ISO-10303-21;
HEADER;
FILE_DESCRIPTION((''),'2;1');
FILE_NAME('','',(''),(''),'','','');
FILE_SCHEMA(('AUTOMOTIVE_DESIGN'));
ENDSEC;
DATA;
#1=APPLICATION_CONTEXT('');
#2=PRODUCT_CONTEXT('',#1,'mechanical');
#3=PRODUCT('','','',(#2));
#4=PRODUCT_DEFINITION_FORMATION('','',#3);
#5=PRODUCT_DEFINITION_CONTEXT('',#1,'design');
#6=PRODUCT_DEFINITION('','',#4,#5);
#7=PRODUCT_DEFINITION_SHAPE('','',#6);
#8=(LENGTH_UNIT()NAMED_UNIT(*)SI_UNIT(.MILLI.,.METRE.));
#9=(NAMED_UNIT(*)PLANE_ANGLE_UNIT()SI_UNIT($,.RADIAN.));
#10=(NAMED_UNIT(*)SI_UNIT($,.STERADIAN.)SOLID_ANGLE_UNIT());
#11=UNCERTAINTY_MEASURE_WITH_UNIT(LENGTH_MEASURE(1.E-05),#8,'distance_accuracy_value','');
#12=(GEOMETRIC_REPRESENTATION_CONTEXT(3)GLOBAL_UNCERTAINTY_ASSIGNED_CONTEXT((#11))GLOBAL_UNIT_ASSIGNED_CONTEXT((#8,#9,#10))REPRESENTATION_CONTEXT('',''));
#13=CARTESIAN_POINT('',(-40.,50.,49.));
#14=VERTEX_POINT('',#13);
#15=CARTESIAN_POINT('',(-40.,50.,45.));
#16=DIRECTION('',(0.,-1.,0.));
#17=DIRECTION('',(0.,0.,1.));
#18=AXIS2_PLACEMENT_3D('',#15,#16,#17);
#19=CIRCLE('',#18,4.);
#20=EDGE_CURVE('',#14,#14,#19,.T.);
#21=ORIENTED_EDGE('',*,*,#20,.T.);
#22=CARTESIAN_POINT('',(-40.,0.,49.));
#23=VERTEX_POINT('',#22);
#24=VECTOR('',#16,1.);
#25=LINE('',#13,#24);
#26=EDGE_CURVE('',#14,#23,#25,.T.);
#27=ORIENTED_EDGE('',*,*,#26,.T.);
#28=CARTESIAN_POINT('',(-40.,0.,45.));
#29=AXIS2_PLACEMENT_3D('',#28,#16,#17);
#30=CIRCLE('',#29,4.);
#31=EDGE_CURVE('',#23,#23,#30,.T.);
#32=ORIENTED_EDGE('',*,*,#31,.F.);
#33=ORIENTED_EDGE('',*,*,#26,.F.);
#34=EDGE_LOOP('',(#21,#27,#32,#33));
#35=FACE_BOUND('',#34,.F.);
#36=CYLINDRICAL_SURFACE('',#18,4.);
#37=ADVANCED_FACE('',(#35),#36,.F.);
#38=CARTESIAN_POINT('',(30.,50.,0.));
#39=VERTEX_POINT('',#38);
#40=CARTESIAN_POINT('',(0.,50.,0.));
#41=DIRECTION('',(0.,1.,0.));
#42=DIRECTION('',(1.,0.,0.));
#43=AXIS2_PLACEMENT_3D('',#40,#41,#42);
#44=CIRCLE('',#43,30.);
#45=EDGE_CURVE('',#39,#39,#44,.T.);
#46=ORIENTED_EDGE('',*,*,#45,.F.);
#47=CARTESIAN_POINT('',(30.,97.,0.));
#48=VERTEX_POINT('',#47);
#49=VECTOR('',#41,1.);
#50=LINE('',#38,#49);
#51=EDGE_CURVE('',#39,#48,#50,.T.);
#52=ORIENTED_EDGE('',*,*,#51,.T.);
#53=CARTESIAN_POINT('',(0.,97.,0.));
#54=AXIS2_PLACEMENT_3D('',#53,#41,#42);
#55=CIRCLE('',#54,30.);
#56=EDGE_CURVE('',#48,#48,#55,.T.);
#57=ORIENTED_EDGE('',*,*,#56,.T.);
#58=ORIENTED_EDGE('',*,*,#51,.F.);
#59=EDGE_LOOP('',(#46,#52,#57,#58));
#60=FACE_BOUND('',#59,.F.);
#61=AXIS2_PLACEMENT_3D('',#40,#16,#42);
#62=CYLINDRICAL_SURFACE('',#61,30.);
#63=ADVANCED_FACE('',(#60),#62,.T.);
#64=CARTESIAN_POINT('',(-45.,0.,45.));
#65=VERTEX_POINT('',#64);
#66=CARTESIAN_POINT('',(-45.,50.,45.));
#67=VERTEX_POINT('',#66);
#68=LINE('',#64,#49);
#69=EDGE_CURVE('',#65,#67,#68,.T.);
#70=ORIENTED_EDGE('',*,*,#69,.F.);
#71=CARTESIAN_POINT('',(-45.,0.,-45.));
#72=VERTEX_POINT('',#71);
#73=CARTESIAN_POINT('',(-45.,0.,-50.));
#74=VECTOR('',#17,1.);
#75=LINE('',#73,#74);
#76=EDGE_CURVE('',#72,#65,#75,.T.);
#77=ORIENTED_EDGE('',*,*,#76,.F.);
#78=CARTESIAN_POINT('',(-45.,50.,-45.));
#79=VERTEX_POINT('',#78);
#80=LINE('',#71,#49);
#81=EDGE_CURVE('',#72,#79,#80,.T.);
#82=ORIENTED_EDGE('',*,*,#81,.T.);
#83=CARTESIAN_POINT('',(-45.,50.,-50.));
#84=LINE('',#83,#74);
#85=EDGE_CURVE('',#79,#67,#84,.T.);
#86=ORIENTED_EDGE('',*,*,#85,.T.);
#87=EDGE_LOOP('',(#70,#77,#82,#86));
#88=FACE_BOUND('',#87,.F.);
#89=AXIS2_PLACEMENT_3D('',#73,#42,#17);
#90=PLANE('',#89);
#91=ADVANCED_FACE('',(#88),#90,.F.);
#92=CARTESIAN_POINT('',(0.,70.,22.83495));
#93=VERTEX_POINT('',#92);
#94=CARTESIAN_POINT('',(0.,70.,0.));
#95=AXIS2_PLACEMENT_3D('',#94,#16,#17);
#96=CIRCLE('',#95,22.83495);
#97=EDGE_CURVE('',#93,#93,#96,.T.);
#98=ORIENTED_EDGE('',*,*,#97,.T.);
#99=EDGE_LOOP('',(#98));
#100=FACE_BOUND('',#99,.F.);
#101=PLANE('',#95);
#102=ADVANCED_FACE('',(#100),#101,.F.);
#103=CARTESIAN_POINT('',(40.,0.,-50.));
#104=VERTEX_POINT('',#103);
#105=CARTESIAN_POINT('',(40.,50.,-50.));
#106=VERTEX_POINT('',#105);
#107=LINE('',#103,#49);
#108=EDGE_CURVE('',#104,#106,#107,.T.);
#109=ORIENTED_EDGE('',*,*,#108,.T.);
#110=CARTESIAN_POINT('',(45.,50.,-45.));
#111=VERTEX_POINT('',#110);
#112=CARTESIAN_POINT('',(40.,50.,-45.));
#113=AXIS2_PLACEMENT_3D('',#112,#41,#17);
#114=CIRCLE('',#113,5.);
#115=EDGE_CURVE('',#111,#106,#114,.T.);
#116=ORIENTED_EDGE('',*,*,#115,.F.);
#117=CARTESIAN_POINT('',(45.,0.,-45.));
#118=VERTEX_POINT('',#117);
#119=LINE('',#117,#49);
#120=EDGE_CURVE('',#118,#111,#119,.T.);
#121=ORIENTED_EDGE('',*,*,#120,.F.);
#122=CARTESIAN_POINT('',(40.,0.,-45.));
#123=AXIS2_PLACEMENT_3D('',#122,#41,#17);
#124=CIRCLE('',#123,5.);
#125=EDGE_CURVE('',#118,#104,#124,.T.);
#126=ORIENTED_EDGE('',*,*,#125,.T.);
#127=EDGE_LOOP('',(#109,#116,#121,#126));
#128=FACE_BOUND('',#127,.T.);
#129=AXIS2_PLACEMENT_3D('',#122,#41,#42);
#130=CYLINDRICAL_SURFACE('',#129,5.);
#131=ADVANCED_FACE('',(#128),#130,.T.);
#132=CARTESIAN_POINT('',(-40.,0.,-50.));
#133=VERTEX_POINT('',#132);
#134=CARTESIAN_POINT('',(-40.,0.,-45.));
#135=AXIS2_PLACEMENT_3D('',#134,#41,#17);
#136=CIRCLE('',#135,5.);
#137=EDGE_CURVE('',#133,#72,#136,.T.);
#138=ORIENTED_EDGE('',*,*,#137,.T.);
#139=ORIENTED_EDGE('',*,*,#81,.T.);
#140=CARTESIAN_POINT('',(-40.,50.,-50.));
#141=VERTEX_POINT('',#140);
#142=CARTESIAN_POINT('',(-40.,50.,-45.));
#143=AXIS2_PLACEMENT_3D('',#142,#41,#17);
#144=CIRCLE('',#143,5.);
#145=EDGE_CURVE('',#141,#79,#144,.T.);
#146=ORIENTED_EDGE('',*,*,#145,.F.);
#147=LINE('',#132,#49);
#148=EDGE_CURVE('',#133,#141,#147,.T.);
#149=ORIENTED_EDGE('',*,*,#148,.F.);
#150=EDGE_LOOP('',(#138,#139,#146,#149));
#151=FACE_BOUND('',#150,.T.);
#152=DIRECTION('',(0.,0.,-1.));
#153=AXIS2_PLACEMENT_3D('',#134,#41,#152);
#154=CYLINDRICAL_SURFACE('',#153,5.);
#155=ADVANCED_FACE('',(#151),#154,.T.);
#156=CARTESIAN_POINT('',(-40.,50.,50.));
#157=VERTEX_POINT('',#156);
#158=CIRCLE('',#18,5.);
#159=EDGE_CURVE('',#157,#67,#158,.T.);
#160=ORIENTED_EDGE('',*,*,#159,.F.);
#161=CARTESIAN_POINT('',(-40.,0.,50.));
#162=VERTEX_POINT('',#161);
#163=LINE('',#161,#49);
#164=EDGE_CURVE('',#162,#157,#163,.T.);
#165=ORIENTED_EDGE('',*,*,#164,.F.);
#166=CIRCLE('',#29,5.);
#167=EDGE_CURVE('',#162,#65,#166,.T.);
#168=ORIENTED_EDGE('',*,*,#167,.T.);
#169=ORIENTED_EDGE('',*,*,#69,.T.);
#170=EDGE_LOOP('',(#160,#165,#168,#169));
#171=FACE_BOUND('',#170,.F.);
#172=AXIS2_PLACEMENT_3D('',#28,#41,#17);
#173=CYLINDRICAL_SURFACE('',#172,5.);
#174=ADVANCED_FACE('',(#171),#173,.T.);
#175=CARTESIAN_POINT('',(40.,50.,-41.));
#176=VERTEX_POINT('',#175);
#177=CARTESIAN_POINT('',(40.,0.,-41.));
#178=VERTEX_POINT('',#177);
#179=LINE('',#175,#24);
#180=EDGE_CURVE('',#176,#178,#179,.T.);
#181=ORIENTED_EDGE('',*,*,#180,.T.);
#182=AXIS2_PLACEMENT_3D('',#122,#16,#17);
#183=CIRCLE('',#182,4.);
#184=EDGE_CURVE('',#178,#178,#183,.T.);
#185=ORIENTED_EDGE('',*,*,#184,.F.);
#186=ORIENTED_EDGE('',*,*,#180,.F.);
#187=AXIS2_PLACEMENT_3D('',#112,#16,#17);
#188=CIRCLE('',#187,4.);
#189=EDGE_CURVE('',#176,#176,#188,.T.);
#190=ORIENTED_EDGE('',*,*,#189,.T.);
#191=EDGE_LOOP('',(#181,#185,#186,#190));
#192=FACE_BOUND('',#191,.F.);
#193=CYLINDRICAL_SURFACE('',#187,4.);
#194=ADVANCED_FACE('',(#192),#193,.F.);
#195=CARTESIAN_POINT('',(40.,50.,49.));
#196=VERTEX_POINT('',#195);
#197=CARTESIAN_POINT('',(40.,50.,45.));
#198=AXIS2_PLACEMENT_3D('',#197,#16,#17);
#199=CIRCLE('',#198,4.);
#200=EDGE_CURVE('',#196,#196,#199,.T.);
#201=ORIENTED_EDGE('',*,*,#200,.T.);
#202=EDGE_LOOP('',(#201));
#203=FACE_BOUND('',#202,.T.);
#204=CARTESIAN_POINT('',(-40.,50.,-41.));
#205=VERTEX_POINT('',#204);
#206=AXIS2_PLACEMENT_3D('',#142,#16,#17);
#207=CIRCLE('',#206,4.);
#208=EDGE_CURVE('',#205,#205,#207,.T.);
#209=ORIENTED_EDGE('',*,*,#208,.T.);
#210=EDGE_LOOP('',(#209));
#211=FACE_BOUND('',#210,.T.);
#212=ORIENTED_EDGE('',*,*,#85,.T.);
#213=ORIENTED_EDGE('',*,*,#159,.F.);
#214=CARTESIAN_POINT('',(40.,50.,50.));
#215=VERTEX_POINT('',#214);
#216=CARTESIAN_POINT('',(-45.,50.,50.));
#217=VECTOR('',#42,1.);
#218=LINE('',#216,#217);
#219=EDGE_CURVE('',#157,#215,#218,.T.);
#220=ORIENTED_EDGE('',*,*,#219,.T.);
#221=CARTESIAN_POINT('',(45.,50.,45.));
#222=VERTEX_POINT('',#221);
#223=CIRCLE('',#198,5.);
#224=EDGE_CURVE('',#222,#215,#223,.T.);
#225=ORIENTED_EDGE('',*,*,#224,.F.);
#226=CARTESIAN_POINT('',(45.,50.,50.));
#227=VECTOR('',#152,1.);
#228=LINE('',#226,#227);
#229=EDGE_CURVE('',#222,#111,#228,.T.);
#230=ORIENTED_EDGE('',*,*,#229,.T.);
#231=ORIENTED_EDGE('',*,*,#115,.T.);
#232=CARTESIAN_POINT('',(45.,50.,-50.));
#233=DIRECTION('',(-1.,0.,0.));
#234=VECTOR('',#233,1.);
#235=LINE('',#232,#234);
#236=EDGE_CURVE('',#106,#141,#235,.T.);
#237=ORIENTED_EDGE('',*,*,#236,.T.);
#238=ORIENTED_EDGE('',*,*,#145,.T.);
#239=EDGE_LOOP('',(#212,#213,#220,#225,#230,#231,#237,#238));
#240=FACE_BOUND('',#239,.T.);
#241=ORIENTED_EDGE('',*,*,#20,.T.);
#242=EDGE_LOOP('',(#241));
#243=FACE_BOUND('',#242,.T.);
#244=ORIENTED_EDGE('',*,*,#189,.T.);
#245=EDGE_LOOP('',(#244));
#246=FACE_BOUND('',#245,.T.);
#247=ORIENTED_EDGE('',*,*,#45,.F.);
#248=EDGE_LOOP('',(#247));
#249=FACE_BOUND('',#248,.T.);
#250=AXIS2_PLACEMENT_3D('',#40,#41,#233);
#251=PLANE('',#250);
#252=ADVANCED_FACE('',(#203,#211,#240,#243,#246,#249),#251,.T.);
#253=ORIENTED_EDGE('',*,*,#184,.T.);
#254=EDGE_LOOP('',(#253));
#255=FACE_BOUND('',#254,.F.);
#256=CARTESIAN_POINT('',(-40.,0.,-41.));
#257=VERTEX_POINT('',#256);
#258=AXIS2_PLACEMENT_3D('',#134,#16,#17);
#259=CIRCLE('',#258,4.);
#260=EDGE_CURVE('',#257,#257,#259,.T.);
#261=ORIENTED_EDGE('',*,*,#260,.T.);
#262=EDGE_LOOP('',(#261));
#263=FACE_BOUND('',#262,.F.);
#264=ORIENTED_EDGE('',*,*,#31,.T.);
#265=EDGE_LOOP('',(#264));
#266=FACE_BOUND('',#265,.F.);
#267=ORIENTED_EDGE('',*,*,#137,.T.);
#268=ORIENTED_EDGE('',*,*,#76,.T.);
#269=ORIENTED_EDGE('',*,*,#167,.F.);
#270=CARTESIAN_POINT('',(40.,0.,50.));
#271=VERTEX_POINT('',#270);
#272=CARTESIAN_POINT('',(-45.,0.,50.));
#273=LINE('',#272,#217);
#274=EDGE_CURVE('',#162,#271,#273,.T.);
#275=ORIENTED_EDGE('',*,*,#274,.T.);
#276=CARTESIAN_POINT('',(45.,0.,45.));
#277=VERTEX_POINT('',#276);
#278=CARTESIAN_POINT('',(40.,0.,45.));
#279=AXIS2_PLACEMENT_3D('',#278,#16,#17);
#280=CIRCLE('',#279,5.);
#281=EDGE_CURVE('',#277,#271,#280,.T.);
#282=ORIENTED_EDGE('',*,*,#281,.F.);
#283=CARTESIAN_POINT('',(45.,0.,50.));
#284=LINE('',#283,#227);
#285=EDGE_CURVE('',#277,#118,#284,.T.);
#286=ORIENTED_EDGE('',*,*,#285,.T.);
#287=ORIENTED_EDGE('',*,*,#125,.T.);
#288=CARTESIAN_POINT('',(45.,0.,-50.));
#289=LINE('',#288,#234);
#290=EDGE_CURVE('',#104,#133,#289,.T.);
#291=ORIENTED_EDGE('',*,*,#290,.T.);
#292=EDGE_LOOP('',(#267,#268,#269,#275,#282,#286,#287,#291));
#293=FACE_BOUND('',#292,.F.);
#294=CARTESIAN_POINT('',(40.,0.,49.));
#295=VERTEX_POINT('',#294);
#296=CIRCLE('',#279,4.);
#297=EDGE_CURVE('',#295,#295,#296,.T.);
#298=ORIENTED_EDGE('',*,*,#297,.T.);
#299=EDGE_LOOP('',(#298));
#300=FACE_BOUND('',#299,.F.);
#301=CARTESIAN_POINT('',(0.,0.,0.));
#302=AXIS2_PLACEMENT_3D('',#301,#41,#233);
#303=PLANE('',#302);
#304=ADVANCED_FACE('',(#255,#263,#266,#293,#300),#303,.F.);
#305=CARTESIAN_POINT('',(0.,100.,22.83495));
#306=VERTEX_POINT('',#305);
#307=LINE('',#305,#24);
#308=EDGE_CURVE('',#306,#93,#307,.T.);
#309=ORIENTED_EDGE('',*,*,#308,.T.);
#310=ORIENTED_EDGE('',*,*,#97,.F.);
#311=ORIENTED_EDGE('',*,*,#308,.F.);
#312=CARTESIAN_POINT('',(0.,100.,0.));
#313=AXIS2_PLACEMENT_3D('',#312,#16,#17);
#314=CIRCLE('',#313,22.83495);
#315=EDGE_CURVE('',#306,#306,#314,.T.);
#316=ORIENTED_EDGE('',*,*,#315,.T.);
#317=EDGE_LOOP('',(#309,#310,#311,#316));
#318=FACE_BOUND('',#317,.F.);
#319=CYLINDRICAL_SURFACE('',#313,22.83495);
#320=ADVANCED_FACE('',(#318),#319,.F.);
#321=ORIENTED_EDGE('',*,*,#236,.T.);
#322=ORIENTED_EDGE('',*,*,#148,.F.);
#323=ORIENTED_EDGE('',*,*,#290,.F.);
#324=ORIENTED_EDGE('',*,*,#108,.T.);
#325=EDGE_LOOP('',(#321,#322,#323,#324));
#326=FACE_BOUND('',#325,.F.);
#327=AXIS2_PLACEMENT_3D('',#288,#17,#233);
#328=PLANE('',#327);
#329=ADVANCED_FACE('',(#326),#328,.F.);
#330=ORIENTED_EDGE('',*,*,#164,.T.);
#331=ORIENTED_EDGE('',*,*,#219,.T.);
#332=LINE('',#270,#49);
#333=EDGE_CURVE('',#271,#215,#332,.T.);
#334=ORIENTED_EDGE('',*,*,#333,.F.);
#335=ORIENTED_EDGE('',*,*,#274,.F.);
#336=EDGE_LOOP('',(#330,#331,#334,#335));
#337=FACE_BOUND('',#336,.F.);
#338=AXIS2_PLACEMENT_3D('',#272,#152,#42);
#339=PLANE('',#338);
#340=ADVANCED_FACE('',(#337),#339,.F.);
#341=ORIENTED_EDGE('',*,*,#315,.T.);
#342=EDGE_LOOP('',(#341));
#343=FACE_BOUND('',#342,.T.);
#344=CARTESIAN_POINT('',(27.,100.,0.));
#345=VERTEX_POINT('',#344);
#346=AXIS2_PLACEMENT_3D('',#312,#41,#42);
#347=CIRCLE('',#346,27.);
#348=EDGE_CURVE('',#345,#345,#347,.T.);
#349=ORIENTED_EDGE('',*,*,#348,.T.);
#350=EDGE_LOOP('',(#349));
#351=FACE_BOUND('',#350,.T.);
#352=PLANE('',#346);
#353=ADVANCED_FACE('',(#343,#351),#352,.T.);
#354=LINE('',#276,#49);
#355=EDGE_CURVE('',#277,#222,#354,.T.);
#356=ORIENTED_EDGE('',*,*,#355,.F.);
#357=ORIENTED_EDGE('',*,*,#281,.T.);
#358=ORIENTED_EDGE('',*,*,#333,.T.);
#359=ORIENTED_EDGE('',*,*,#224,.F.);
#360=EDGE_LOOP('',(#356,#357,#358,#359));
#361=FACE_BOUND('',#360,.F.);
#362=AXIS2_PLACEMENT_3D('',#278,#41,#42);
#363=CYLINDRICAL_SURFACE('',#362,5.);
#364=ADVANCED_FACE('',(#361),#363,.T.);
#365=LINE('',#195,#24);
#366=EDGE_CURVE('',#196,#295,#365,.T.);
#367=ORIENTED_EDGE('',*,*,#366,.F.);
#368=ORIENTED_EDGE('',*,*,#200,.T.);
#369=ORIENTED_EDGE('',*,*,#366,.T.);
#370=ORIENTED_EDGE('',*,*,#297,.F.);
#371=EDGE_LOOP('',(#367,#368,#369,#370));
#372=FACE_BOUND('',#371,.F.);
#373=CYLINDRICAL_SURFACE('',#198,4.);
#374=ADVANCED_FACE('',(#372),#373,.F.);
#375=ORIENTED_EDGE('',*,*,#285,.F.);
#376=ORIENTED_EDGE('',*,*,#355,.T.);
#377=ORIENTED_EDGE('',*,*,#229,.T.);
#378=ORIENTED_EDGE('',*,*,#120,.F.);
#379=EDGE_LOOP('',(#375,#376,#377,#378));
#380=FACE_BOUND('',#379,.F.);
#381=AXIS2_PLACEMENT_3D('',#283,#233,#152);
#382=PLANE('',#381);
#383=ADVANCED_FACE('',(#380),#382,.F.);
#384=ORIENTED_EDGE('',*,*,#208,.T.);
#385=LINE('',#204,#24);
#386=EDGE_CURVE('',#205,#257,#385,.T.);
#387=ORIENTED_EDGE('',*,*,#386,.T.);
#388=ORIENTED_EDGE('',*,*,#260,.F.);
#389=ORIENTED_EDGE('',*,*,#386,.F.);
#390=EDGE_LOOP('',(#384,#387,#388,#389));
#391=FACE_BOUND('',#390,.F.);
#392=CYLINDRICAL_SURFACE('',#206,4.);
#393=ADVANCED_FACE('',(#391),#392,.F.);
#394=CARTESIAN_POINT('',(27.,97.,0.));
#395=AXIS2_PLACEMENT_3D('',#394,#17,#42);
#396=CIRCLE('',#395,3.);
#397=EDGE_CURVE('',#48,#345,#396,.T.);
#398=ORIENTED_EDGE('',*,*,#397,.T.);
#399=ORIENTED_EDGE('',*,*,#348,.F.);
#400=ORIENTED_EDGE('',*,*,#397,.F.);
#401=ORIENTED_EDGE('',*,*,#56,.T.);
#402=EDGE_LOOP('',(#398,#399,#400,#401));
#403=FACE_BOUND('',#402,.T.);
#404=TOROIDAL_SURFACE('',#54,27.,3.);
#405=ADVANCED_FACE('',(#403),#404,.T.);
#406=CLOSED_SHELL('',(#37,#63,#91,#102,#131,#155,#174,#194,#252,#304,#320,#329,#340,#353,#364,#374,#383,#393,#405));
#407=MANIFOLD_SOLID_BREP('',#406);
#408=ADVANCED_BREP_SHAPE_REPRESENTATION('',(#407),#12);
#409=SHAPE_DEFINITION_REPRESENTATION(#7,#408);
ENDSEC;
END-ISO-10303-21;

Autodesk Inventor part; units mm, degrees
ref_plane "YZ Plane" through (0, 0, 0) normal (1, 0, 0) x (0, 1, 0)
ref_plane "XZ Plane" through (0, 0, 0) normal (0, 1, 0) x (-1, 0, 0)
ref_plane "XY Plane" through (0, 0, 0) normal (0, 0, 1) x (1, 0, 0)
sketch "Boceto1" plane through (0, 0, 0) normal (0, 1, 0) x (-1, 0, 0)
  point P0 (0, 0)
sketch "Boceto2" plane through (0, 0, 0) normal (0, 1, 0) x (-1, 0, 0)
  line L0 (-45, -50) -> (45, -50)
  line L1 (45, -50) -> (45, 50)
  line L2 (45, 50) -> (-45, 50)
  line L3 (-45, 50) -> (-45, -50)
  line L4 (-45, -50) -> (45, 50) construction
  line L5 (45, -50) -> (-45, 50) construction
  point P0 (0, 0)
  dimension "d0" = 90
  dimension "d1" = 100
extrude "Extrusión1" add sketch "Boceto2" along normal blind 50
sketch "Boceto3" plane through (0, 50, 0) normal (0, 1, 0) x (1, 0, 0)
  point P0 (0, 0)
  point P1 (0, 0)
sketch "Boceto4" plane through (0, 50, 0) normal (0, 1, 0) x (1, 0, 0)
  circle A0 centre (0, 0) radius 30
  dimension "d4" = 60
extrude "Extrusión2" add sketch "Boceto4" along normal blind 50
sketch "Boceto5" plane through (0, 100, 0) normal (0, 1, 0) x (1, 0, 0)
  point P0 (0, 0)
  point P1 (0, 0)
fillet "Empalme1" radius 3 1 edges at (-30, 100, 0)
hole "Agujero1" at (0, 100, 0) direction (0, -1, 0) diameter 45.6699 depth 30 thread size "M50x4" class "6H" standard "ANSI Metric M Profile"
fillet "Empalme2" radius 5 1 edges at (45, 25, 50)
fillet "Empalme3" radius 5 1 edges at (-45, 25, 50)
fillet "Empalme4" radius 5 1 edges at (45, 25, -50)
fillet "Empalme5" radius 5 1 edges at (-45, 25, -50)
sketch "Boceto9" plane through (0, 50, 0) normal (0, 1, 0) x (1, 0, 0)
  arc A0 (-40, 50) -> (-45, 45) centre (-40, 45) ccw projected
  circle A1 centre (-40, 45) radius 4
  arc A2 (45, 45) -> (40, 50) centre (40, 45) ccw projected
  circle A3 centre (40, 45) radius 4
  arc A4 (-45, -45) -> (-40, -50) centre (-40, -45) ccw projected
  circle A5 centre (-40, -45) radius 4
  arc A6 (40, -50) -> (45, -45) centre (40, -45) ccw projected
  circle A7 centre (40, -45) radius 4
  point P0 (0, 0)
  dimension "d28" = 8
  dimension "d29" = 8
  dimension "d30" = 8
  dimension "d31" = 8
hole "Agujero2" at (-40, 50, 45) at (-40, 50, -45) at (40, 50, -45) at (40, 50, 45) direction (0, -1, 0) diameter 8 depth 50
properties part number "Practica No. 1 Oscar Bustamante"
